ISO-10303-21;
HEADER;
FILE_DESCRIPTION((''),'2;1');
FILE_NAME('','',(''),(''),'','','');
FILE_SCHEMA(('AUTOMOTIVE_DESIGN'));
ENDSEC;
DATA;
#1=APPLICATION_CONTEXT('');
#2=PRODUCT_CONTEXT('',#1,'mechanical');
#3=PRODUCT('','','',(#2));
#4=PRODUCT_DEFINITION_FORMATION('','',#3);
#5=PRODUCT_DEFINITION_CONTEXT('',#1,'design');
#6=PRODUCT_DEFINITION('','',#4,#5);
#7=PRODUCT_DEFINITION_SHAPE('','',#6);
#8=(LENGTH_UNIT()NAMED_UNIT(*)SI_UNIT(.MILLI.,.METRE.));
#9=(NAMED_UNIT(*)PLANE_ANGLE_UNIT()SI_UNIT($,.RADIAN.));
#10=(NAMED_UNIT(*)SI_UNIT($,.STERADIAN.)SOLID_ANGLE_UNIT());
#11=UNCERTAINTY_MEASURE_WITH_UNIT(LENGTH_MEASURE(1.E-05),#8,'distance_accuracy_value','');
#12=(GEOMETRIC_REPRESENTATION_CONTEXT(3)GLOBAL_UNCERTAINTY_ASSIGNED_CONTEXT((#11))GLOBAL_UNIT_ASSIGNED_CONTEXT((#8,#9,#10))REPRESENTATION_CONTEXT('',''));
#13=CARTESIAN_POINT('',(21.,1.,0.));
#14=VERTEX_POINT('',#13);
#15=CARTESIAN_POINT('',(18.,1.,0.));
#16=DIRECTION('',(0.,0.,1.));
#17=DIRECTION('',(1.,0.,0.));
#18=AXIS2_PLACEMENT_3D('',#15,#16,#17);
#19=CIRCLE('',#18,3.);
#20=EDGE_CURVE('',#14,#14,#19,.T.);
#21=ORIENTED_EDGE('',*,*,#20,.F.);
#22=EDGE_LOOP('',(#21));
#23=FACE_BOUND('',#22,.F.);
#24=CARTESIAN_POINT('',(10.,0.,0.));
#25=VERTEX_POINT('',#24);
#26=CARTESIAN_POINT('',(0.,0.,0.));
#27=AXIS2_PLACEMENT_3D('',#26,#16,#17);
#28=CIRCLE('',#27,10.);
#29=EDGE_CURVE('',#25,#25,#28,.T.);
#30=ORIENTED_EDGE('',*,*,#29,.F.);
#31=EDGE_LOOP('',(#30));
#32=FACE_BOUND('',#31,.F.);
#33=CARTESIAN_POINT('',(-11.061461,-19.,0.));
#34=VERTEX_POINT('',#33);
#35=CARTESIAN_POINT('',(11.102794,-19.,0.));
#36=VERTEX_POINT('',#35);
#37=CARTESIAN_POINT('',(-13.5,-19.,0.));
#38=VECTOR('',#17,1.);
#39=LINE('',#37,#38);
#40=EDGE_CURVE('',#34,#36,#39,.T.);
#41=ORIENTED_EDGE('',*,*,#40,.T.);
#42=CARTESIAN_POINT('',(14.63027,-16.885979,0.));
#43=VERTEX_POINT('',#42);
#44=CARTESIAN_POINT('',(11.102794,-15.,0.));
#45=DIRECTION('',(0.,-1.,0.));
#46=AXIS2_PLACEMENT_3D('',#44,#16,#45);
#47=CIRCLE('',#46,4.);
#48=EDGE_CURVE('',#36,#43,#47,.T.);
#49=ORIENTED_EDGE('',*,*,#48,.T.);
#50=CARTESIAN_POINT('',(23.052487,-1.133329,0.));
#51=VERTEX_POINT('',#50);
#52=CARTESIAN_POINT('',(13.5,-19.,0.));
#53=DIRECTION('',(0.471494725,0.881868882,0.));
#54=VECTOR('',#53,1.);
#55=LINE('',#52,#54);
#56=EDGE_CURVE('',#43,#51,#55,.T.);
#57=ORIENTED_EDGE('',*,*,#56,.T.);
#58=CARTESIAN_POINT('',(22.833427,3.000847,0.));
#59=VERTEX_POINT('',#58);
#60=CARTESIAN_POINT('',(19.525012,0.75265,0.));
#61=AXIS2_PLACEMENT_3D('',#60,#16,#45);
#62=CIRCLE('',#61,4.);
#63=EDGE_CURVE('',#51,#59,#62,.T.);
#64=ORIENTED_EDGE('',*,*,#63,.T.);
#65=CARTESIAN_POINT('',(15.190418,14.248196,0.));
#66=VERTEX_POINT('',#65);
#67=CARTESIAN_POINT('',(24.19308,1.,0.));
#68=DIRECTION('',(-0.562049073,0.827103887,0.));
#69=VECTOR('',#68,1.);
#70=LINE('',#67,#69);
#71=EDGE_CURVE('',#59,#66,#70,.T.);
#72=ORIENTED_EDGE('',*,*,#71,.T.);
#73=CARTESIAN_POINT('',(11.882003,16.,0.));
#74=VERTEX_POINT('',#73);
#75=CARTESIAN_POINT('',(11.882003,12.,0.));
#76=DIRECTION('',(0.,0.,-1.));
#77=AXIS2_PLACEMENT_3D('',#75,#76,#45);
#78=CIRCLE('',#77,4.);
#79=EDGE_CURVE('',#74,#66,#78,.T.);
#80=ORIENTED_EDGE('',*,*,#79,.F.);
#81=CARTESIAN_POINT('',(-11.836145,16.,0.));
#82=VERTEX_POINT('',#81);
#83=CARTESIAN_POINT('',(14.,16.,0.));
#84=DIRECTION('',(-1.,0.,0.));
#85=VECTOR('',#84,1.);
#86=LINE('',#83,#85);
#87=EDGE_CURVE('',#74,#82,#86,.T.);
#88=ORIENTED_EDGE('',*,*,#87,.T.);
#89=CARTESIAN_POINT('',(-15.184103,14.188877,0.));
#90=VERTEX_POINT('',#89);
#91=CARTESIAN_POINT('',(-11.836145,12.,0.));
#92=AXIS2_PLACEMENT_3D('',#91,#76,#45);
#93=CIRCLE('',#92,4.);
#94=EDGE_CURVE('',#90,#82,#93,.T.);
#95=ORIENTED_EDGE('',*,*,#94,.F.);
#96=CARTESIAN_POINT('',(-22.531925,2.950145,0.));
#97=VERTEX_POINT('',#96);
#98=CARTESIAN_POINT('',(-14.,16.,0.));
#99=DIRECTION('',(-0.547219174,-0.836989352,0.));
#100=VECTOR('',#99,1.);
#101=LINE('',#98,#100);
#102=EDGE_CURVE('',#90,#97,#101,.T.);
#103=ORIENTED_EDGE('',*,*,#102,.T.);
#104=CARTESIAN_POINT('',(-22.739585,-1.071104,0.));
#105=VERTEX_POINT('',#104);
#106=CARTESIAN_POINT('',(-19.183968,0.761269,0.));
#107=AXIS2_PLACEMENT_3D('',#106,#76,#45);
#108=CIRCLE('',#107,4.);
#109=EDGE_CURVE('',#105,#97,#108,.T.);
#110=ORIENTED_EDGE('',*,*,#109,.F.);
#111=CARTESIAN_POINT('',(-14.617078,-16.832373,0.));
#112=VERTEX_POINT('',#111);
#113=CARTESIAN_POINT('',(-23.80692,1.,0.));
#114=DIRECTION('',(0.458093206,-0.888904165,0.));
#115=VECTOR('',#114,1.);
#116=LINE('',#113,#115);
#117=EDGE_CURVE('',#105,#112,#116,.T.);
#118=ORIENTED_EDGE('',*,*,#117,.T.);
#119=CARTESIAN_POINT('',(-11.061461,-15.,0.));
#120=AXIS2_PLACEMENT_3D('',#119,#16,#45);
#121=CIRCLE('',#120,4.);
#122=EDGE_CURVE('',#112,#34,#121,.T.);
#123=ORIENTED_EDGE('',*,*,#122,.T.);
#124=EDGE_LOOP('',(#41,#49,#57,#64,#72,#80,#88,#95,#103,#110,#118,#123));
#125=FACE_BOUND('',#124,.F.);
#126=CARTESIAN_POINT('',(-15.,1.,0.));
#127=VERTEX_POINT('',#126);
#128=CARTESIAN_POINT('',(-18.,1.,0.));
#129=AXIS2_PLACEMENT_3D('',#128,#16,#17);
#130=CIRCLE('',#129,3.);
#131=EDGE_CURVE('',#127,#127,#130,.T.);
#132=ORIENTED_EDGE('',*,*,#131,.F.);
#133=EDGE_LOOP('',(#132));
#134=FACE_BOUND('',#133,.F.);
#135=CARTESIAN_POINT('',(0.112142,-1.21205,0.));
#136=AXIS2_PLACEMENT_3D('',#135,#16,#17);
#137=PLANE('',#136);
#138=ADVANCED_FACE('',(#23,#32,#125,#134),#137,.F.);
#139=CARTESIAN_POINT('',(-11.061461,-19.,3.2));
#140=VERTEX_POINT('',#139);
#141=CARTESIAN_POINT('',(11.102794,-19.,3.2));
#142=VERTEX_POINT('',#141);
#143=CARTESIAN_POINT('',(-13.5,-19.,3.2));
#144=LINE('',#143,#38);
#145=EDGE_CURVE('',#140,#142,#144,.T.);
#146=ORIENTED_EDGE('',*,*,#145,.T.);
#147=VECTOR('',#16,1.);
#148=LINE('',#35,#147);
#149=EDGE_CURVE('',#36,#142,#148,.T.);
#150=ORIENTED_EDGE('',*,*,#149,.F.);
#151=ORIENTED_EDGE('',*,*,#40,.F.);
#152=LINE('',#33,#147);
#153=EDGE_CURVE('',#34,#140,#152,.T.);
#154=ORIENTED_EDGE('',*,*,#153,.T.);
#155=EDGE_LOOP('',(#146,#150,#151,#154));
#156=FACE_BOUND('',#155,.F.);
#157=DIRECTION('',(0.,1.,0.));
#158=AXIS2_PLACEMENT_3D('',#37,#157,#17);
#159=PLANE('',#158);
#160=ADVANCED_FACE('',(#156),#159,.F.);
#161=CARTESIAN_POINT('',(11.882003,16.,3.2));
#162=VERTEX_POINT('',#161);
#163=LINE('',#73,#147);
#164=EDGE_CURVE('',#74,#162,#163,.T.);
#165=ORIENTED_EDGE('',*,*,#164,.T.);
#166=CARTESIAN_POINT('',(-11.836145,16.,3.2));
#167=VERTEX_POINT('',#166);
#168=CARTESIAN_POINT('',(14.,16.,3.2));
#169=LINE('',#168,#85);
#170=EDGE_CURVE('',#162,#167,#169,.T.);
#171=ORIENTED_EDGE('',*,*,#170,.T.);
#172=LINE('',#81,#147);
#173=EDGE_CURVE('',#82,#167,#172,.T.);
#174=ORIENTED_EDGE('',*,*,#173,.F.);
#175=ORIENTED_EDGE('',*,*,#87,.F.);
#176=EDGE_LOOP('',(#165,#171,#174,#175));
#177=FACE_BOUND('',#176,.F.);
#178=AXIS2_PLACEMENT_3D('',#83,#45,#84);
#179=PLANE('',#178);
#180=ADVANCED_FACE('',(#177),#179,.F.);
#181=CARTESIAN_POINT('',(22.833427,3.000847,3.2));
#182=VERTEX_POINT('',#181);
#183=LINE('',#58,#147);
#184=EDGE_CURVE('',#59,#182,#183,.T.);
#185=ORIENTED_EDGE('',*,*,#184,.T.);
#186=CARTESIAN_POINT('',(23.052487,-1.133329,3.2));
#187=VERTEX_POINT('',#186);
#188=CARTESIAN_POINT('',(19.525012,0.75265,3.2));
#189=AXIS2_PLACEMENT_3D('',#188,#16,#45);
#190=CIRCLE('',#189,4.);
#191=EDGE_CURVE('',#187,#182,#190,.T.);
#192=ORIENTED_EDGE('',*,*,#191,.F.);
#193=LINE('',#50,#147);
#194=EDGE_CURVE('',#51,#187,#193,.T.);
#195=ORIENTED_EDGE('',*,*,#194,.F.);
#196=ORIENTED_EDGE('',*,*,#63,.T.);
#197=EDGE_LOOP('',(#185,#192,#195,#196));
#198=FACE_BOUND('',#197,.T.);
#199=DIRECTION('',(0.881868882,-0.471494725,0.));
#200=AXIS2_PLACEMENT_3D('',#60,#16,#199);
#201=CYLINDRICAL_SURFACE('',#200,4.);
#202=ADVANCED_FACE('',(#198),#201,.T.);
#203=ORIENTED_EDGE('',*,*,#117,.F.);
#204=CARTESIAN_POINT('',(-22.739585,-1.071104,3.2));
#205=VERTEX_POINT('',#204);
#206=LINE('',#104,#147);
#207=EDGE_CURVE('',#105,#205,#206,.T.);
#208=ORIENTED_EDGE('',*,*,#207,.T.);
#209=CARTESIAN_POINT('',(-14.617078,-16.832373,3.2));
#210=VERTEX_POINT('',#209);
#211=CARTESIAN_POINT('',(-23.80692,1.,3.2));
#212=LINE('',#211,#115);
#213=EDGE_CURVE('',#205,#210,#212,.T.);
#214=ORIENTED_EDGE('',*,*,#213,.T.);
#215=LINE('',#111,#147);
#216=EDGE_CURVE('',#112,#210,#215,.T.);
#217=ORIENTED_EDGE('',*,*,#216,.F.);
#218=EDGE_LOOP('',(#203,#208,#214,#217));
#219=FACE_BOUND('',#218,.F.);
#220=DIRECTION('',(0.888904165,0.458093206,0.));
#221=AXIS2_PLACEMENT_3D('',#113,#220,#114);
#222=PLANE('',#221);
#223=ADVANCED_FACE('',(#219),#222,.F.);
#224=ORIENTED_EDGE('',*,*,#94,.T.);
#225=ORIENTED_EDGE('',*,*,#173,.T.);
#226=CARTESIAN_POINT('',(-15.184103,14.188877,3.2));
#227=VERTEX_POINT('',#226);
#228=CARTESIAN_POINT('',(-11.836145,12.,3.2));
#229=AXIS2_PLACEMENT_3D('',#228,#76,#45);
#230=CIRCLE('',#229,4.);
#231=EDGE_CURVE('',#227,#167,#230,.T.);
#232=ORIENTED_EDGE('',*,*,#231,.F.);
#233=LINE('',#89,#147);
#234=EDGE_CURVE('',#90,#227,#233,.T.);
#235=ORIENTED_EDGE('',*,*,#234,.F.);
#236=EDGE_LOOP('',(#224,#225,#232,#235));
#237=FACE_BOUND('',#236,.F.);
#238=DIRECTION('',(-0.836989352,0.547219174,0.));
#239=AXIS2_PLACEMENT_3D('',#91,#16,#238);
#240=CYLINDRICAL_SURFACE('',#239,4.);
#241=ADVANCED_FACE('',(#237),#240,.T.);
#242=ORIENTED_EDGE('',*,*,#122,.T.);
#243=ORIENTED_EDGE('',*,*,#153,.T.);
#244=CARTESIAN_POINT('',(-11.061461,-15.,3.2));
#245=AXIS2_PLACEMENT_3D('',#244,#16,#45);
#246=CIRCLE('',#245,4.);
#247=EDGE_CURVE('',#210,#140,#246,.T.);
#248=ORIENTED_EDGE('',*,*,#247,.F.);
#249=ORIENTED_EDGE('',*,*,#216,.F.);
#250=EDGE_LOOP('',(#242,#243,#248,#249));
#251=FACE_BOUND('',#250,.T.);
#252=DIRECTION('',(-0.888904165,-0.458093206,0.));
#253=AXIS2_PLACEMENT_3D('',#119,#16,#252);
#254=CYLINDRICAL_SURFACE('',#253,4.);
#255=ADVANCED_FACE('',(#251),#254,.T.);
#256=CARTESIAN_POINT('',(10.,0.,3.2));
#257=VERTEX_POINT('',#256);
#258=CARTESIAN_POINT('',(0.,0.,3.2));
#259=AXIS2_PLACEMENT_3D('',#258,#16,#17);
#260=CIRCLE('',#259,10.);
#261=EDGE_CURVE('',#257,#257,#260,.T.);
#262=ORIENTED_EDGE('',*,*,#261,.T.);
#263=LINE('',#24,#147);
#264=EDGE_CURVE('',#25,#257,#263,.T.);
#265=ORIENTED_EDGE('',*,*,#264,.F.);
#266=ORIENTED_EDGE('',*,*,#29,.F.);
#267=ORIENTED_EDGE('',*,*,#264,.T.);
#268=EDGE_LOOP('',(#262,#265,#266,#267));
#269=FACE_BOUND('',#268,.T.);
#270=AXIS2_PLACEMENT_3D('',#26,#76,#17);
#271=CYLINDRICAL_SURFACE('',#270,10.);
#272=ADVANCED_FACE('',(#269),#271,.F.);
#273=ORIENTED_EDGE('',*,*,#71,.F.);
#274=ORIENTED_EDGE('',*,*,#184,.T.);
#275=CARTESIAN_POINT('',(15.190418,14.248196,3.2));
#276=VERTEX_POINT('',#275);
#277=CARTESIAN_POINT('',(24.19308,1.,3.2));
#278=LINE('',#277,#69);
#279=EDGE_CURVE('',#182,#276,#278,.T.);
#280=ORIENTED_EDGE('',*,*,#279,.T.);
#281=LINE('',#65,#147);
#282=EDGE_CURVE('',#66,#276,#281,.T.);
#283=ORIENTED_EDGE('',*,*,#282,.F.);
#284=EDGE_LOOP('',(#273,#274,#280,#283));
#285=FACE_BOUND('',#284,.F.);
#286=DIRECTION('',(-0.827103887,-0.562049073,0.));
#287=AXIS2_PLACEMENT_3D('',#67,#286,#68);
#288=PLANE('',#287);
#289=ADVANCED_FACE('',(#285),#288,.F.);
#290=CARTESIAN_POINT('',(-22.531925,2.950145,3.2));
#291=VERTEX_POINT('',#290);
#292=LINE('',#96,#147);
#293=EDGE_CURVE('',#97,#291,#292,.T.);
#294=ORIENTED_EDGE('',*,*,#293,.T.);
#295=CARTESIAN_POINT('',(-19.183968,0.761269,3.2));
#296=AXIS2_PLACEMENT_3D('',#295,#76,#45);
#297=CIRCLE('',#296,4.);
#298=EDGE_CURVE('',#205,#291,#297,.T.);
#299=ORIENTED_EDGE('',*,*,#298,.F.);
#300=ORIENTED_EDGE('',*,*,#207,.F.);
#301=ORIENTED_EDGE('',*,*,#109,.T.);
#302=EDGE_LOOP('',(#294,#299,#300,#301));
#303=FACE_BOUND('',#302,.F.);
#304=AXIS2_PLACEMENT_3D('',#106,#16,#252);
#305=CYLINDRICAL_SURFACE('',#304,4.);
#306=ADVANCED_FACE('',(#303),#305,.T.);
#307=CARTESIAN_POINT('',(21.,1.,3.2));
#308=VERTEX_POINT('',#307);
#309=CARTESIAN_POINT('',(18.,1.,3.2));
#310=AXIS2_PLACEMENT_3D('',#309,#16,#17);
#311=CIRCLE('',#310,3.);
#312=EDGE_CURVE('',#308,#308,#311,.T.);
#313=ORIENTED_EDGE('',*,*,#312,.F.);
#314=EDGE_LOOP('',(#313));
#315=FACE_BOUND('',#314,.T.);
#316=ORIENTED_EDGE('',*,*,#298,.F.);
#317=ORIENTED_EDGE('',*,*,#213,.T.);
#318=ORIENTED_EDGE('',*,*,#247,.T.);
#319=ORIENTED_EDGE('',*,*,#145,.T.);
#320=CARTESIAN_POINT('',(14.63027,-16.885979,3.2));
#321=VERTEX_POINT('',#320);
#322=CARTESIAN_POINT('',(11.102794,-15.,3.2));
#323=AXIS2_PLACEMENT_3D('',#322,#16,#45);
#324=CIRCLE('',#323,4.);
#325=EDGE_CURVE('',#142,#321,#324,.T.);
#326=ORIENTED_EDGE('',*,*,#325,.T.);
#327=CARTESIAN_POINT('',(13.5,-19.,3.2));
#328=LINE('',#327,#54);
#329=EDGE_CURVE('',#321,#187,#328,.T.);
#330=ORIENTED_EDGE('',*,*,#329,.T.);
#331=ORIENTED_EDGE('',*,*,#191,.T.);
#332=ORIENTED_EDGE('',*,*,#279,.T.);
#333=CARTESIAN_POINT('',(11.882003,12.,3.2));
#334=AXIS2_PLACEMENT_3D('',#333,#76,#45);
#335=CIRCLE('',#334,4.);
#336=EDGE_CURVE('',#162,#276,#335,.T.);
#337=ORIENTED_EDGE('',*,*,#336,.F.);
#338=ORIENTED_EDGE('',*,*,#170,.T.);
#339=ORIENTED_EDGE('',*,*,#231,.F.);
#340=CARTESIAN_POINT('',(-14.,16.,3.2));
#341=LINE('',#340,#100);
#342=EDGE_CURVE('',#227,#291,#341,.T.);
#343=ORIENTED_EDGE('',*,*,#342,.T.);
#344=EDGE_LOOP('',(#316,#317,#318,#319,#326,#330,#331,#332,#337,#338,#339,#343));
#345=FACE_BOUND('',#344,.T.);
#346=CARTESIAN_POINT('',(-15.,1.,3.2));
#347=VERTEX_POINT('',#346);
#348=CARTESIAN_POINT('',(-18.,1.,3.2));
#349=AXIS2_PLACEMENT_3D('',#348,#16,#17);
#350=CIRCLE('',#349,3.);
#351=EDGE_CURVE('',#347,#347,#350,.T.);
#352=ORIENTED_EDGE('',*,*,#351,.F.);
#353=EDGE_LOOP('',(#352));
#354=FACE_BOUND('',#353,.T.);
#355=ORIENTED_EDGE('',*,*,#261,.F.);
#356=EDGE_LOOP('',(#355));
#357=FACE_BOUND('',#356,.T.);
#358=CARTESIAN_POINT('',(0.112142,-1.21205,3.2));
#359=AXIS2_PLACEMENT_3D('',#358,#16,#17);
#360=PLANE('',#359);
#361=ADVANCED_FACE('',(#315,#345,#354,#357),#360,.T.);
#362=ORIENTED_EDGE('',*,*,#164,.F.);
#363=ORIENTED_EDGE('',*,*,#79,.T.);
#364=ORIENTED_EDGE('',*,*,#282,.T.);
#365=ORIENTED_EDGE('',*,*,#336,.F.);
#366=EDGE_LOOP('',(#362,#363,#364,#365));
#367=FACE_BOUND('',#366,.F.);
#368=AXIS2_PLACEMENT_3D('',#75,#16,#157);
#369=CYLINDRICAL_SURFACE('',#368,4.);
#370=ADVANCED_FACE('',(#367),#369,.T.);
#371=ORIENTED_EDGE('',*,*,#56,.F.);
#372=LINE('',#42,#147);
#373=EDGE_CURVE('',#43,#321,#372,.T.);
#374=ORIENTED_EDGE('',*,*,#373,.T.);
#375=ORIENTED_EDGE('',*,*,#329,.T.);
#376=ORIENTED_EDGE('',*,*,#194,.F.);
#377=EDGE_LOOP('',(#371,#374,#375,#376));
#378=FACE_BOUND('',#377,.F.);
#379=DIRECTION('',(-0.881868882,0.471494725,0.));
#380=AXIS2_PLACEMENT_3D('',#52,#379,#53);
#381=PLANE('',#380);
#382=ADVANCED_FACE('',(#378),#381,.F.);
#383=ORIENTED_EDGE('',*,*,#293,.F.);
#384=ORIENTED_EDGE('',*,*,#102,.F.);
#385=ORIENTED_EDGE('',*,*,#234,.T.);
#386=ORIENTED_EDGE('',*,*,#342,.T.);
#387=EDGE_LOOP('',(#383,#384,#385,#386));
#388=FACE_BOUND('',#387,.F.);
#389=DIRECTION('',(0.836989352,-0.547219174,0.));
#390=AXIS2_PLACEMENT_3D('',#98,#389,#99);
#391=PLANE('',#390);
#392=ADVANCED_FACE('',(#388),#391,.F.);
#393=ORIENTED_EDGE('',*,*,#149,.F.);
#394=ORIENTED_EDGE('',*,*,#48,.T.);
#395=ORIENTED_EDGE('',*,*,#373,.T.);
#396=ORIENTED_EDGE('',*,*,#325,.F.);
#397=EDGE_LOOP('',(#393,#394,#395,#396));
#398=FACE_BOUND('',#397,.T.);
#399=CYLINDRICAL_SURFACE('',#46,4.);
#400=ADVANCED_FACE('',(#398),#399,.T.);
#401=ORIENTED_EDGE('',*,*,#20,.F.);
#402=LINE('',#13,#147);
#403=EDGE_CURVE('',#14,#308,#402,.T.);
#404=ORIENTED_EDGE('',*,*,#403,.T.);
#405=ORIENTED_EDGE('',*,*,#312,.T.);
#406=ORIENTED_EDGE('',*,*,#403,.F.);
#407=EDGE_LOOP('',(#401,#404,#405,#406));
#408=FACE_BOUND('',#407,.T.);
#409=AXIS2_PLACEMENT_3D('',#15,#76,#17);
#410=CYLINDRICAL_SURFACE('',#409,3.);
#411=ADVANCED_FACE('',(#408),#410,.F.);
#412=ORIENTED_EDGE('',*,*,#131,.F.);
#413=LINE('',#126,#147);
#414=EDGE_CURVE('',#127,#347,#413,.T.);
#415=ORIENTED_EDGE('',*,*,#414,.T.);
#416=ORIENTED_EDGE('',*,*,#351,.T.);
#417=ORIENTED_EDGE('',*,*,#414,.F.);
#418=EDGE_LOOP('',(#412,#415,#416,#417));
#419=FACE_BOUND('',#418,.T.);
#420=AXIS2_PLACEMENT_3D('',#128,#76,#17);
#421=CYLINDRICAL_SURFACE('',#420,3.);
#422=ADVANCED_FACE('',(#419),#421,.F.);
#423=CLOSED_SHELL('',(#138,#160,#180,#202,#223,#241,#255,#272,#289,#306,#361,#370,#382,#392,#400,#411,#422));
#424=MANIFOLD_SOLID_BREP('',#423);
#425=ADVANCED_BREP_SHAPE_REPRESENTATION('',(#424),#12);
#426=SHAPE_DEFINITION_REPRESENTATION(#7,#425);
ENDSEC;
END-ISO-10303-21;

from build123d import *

# Parameters (mm, degrees)
F0_R     = 3
F0_R_2   = 10
F1_DEPTH = 3.2
F2_R     = 4


with BuildPart() as f1:
    # F0 (on Top) → F1 (new body)
    with BuildSketch(Plane.XY):
        Polygon((-23.80692, 1), (-13.5, -19), (13.5, -19), (24.19308, 1), (14, 16), (-14, 16), align=None)
        with Locations((-18, 1)):
            Circle(F0_R, mode=Mode.SUBTRACT)
        Circle(F0_R_2, mode=Mode.SUBTRACT)
        with Locations((18, 1)):
            Circle(F0_R, mode=Mode.SUBTRACT)
    extrude(amount=F1_DEPTH)

    # F2
    f2_edges = [f1.edges().sort_by_distance(p)[0] for p in [
        (-13.5, -19, 1.6),
        (-23.80692, 1, 1.6),
        (13.5, -19, 1.6),
        (24.19308, 1, 1.6),
        (14, 16, 1.6),
        (-14, 16, 1.6),
    ]]
    fillet(f2_edges, radius=F2_R)


solid = f1.part
